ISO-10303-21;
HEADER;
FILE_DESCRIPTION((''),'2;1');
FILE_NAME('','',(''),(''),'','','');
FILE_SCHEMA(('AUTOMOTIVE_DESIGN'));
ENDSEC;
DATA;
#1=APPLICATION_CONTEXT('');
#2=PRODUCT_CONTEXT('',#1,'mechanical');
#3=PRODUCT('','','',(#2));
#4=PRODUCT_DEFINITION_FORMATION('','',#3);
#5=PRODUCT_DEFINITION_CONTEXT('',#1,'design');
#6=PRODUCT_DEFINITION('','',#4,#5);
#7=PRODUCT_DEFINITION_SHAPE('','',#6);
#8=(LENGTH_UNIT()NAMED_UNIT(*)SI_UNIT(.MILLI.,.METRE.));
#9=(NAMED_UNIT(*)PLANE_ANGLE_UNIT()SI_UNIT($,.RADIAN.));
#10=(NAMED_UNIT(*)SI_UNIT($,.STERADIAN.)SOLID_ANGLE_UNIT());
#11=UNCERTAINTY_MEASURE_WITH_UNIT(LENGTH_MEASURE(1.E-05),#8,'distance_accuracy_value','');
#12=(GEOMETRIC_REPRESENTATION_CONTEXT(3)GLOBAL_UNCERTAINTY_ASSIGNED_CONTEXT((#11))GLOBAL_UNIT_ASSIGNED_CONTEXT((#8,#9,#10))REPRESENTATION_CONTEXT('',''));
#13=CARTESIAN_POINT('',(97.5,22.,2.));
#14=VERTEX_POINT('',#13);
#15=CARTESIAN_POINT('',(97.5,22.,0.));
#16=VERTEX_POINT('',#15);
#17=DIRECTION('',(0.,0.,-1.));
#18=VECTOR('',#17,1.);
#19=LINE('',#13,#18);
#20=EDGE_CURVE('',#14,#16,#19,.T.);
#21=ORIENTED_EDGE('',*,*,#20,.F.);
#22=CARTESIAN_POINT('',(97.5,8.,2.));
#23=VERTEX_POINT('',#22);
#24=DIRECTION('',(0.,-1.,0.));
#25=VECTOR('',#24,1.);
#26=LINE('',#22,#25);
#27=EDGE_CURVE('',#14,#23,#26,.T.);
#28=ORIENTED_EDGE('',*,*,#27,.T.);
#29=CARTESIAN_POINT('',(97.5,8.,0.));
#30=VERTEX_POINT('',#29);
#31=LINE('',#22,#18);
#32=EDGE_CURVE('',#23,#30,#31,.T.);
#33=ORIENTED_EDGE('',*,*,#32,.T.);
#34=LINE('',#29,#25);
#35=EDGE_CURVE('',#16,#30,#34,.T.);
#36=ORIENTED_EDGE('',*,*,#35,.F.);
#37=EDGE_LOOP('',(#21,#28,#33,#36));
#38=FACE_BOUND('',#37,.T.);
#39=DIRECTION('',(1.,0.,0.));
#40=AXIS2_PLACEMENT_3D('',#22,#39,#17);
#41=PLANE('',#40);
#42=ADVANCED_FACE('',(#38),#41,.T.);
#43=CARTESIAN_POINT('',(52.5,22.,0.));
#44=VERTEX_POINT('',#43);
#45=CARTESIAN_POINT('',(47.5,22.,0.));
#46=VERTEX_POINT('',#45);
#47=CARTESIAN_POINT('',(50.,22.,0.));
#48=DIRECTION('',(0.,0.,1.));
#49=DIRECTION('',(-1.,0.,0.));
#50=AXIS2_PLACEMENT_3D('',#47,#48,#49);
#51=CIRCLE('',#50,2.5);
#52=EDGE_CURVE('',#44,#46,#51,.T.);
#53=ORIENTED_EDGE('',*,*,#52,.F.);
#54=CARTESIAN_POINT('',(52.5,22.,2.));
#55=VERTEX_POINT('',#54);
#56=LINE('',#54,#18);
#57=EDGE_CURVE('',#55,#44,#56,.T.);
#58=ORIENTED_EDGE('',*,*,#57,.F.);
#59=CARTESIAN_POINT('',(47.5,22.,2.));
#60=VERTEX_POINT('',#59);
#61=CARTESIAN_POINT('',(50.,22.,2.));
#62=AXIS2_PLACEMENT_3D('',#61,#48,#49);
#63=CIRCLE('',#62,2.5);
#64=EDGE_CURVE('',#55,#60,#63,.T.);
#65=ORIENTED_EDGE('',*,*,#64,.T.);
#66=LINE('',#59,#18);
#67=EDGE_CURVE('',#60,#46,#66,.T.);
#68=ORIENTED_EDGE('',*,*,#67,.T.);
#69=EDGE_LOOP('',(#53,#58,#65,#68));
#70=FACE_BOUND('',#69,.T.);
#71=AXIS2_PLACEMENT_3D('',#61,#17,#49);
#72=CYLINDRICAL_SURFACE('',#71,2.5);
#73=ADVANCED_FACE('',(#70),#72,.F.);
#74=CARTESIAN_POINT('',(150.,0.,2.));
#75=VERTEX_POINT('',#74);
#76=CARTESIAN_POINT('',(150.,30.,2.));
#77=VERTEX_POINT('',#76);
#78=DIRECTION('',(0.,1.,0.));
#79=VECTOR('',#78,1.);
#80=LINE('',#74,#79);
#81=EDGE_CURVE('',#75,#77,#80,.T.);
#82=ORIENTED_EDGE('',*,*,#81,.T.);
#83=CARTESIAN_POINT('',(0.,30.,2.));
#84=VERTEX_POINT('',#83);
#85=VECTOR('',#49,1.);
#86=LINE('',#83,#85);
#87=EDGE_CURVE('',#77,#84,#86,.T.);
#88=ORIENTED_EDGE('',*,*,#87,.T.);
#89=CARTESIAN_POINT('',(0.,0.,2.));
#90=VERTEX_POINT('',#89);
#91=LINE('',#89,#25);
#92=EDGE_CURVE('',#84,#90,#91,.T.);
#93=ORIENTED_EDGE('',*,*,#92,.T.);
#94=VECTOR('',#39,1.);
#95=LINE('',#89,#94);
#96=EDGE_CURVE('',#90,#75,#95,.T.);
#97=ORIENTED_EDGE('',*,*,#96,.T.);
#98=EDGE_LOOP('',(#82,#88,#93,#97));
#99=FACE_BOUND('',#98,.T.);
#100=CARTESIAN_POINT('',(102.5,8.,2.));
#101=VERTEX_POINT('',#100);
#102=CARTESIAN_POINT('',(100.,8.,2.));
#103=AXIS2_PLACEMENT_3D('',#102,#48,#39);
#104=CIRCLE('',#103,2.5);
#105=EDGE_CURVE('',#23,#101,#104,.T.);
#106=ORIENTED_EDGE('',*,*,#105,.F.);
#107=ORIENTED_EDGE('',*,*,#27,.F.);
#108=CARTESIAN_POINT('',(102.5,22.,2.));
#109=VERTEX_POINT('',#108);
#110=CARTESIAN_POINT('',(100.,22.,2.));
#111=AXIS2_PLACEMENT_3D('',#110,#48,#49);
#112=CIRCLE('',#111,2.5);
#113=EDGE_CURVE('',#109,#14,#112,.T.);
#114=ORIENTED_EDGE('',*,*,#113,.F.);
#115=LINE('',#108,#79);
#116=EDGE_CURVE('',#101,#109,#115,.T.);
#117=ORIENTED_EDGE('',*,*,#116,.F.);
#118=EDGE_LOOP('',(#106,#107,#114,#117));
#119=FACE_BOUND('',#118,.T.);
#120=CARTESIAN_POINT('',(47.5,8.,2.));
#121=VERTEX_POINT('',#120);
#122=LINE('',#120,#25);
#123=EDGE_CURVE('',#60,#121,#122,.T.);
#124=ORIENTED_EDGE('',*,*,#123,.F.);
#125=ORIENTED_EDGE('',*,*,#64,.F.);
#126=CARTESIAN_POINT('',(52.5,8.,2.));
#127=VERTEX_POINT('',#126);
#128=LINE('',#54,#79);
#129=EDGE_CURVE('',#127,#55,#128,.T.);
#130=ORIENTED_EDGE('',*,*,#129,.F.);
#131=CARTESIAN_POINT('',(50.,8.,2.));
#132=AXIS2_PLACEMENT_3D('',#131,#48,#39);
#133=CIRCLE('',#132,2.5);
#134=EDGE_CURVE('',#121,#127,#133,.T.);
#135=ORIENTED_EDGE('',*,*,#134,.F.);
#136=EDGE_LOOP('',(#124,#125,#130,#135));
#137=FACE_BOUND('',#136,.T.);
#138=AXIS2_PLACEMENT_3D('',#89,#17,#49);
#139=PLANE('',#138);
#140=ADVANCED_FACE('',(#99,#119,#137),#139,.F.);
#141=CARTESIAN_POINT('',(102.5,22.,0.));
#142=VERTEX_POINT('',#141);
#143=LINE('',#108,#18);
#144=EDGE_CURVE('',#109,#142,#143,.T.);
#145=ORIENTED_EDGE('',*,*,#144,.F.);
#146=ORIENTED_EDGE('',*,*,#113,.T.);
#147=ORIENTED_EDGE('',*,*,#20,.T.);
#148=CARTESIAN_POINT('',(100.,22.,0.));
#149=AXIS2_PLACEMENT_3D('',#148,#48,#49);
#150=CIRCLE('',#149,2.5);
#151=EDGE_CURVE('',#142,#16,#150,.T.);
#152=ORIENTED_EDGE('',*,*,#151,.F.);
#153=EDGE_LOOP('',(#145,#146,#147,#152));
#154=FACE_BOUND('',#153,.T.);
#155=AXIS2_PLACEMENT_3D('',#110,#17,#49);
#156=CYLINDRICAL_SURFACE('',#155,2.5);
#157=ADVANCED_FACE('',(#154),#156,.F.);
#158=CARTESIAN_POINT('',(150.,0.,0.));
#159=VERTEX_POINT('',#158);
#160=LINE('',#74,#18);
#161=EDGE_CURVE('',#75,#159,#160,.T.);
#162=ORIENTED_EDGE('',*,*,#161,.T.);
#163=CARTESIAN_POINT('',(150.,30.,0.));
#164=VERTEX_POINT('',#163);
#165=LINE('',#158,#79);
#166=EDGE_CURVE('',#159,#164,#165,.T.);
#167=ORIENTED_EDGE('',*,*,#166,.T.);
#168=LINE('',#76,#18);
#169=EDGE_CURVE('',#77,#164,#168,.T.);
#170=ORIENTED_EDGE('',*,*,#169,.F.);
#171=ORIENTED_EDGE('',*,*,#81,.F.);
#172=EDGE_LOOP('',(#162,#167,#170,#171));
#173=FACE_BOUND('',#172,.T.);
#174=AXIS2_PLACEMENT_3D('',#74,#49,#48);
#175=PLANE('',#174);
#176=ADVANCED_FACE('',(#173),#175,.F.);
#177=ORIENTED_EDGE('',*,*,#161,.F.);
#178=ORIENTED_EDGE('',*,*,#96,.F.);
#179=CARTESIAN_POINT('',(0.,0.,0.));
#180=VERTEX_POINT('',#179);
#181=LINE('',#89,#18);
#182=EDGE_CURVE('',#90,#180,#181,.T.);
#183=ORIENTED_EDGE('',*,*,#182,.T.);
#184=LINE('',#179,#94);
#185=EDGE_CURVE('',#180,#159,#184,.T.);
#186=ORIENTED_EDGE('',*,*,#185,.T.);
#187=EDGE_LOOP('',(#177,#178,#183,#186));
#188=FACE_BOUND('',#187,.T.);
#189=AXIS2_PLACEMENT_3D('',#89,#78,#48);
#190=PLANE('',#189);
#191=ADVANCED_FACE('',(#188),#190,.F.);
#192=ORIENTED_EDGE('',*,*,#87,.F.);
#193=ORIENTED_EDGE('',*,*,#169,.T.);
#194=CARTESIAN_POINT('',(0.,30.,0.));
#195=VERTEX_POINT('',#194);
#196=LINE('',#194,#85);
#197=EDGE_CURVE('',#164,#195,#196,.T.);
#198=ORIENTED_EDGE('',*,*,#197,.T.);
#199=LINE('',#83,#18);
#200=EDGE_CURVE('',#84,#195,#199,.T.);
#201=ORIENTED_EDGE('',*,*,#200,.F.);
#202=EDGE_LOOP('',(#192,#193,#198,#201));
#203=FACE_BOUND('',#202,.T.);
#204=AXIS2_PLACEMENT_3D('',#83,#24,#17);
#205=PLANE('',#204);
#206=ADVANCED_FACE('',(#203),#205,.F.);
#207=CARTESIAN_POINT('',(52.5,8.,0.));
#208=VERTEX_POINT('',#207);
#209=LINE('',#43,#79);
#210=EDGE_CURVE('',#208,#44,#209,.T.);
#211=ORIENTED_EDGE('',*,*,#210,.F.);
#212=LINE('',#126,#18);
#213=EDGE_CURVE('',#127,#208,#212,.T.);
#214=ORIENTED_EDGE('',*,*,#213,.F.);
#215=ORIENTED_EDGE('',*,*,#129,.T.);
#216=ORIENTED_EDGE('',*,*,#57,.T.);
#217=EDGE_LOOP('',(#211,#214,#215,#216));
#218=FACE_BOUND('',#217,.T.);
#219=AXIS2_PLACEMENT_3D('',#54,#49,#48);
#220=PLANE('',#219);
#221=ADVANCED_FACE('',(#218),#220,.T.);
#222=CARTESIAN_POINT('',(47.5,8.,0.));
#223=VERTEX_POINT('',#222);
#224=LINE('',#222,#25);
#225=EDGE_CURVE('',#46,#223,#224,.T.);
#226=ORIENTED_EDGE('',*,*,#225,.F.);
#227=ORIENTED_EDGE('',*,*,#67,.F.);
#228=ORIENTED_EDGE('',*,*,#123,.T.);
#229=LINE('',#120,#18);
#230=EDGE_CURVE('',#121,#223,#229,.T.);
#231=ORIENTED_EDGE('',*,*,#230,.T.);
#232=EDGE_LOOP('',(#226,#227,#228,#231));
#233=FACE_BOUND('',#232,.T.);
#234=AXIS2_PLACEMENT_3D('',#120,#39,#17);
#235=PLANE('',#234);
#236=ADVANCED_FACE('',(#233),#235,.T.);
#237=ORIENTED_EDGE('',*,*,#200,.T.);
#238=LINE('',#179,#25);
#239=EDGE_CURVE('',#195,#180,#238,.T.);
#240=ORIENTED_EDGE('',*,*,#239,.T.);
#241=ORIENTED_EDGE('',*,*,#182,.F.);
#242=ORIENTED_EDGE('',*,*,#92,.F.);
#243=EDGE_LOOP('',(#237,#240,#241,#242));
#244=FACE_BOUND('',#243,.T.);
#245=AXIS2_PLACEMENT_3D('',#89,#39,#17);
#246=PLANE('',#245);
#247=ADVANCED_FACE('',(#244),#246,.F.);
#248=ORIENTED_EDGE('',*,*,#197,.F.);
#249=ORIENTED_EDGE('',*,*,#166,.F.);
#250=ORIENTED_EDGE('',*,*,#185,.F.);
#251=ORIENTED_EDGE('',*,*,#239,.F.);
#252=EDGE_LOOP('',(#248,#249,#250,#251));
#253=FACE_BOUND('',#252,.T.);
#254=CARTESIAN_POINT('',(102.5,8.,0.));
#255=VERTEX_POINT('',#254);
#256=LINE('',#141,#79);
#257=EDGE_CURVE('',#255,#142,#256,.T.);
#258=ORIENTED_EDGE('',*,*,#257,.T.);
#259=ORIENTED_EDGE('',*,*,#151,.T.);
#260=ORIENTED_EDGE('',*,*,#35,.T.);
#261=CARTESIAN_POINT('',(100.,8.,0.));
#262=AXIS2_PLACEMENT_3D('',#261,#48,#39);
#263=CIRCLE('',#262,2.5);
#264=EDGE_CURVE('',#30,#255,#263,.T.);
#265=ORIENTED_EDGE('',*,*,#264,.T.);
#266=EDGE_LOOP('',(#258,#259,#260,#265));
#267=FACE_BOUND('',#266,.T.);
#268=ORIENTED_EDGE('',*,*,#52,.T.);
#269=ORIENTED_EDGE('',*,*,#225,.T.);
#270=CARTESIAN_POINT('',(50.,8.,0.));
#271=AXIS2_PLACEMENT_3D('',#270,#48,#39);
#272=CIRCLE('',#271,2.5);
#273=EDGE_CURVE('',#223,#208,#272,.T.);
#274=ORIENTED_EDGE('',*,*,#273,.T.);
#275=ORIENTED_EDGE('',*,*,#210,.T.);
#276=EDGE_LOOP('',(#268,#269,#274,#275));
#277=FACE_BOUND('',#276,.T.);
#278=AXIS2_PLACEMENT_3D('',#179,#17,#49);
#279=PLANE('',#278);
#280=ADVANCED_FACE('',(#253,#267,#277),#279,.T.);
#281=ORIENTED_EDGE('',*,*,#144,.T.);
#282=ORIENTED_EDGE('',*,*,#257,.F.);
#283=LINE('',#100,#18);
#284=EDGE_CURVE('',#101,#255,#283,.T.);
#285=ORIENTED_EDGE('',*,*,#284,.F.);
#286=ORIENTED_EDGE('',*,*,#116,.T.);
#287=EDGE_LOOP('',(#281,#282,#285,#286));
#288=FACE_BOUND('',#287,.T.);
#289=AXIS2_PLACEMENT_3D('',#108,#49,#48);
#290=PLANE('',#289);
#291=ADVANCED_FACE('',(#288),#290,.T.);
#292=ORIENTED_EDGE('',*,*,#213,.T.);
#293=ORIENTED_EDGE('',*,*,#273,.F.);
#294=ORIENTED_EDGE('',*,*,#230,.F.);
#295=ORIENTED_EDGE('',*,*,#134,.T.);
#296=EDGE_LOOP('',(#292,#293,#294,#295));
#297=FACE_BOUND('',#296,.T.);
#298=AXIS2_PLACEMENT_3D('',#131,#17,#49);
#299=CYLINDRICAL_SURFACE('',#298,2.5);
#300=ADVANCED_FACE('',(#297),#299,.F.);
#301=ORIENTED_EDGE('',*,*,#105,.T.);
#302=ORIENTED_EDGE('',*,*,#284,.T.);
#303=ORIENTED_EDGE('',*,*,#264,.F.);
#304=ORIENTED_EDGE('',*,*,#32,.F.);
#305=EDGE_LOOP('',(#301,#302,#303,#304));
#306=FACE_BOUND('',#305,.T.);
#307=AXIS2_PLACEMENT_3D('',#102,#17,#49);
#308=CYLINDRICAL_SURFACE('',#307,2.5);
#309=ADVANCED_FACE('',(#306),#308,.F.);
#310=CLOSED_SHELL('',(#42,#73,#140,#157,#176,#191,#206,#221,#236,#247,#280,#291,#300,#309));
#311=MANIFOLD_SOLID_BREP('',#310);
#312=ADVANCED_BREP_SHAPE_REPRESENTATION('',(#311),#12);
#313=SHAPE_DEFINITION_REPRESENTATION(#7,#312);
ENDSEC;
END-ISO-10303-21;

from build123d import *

# Parameters (mm, degrees)
SKETCH_1_W      = 150
SKETCH_1_H      = 30
EXTRUDE_1_DEPTH = 2


with BuildPart() as part:
    # Эскиз1 → Бобышка-Вытянуть1 (new body)
    with BuildSketch(Plane.XY):
        with Locations((75, 15)):
            Rectangle(SKETCH_1_W, SKETCH_1_H)
        with BuildLine():
            Line((47.5, 8), (47.5, 22))
            ThreePointArc((47.5, 22), (50, 24.5), (52.5, 22))
            Line((52.5, 22), (52.5, 8))
            ThreePointArc((52.5, 8), (50, 5.5), (47.5, 8))
        make_face(mode=Mode.SUBTRACT)
        with BuildLine():
            Line((97.5, 8), (97.5, 22))
            ThreePointArc((97.5, 22), (100, 24.5), (102.5, 22))
            Line((102.5, 22), (102.5, 8))
            ThreePointArc((102.5, 8), (100, 5.5), (97.5, 8))
        make_face(mode=Mode.SUBTRACT)
    extrude(amount=EXTRUDE_1_DEPTH)


solid = part.part
